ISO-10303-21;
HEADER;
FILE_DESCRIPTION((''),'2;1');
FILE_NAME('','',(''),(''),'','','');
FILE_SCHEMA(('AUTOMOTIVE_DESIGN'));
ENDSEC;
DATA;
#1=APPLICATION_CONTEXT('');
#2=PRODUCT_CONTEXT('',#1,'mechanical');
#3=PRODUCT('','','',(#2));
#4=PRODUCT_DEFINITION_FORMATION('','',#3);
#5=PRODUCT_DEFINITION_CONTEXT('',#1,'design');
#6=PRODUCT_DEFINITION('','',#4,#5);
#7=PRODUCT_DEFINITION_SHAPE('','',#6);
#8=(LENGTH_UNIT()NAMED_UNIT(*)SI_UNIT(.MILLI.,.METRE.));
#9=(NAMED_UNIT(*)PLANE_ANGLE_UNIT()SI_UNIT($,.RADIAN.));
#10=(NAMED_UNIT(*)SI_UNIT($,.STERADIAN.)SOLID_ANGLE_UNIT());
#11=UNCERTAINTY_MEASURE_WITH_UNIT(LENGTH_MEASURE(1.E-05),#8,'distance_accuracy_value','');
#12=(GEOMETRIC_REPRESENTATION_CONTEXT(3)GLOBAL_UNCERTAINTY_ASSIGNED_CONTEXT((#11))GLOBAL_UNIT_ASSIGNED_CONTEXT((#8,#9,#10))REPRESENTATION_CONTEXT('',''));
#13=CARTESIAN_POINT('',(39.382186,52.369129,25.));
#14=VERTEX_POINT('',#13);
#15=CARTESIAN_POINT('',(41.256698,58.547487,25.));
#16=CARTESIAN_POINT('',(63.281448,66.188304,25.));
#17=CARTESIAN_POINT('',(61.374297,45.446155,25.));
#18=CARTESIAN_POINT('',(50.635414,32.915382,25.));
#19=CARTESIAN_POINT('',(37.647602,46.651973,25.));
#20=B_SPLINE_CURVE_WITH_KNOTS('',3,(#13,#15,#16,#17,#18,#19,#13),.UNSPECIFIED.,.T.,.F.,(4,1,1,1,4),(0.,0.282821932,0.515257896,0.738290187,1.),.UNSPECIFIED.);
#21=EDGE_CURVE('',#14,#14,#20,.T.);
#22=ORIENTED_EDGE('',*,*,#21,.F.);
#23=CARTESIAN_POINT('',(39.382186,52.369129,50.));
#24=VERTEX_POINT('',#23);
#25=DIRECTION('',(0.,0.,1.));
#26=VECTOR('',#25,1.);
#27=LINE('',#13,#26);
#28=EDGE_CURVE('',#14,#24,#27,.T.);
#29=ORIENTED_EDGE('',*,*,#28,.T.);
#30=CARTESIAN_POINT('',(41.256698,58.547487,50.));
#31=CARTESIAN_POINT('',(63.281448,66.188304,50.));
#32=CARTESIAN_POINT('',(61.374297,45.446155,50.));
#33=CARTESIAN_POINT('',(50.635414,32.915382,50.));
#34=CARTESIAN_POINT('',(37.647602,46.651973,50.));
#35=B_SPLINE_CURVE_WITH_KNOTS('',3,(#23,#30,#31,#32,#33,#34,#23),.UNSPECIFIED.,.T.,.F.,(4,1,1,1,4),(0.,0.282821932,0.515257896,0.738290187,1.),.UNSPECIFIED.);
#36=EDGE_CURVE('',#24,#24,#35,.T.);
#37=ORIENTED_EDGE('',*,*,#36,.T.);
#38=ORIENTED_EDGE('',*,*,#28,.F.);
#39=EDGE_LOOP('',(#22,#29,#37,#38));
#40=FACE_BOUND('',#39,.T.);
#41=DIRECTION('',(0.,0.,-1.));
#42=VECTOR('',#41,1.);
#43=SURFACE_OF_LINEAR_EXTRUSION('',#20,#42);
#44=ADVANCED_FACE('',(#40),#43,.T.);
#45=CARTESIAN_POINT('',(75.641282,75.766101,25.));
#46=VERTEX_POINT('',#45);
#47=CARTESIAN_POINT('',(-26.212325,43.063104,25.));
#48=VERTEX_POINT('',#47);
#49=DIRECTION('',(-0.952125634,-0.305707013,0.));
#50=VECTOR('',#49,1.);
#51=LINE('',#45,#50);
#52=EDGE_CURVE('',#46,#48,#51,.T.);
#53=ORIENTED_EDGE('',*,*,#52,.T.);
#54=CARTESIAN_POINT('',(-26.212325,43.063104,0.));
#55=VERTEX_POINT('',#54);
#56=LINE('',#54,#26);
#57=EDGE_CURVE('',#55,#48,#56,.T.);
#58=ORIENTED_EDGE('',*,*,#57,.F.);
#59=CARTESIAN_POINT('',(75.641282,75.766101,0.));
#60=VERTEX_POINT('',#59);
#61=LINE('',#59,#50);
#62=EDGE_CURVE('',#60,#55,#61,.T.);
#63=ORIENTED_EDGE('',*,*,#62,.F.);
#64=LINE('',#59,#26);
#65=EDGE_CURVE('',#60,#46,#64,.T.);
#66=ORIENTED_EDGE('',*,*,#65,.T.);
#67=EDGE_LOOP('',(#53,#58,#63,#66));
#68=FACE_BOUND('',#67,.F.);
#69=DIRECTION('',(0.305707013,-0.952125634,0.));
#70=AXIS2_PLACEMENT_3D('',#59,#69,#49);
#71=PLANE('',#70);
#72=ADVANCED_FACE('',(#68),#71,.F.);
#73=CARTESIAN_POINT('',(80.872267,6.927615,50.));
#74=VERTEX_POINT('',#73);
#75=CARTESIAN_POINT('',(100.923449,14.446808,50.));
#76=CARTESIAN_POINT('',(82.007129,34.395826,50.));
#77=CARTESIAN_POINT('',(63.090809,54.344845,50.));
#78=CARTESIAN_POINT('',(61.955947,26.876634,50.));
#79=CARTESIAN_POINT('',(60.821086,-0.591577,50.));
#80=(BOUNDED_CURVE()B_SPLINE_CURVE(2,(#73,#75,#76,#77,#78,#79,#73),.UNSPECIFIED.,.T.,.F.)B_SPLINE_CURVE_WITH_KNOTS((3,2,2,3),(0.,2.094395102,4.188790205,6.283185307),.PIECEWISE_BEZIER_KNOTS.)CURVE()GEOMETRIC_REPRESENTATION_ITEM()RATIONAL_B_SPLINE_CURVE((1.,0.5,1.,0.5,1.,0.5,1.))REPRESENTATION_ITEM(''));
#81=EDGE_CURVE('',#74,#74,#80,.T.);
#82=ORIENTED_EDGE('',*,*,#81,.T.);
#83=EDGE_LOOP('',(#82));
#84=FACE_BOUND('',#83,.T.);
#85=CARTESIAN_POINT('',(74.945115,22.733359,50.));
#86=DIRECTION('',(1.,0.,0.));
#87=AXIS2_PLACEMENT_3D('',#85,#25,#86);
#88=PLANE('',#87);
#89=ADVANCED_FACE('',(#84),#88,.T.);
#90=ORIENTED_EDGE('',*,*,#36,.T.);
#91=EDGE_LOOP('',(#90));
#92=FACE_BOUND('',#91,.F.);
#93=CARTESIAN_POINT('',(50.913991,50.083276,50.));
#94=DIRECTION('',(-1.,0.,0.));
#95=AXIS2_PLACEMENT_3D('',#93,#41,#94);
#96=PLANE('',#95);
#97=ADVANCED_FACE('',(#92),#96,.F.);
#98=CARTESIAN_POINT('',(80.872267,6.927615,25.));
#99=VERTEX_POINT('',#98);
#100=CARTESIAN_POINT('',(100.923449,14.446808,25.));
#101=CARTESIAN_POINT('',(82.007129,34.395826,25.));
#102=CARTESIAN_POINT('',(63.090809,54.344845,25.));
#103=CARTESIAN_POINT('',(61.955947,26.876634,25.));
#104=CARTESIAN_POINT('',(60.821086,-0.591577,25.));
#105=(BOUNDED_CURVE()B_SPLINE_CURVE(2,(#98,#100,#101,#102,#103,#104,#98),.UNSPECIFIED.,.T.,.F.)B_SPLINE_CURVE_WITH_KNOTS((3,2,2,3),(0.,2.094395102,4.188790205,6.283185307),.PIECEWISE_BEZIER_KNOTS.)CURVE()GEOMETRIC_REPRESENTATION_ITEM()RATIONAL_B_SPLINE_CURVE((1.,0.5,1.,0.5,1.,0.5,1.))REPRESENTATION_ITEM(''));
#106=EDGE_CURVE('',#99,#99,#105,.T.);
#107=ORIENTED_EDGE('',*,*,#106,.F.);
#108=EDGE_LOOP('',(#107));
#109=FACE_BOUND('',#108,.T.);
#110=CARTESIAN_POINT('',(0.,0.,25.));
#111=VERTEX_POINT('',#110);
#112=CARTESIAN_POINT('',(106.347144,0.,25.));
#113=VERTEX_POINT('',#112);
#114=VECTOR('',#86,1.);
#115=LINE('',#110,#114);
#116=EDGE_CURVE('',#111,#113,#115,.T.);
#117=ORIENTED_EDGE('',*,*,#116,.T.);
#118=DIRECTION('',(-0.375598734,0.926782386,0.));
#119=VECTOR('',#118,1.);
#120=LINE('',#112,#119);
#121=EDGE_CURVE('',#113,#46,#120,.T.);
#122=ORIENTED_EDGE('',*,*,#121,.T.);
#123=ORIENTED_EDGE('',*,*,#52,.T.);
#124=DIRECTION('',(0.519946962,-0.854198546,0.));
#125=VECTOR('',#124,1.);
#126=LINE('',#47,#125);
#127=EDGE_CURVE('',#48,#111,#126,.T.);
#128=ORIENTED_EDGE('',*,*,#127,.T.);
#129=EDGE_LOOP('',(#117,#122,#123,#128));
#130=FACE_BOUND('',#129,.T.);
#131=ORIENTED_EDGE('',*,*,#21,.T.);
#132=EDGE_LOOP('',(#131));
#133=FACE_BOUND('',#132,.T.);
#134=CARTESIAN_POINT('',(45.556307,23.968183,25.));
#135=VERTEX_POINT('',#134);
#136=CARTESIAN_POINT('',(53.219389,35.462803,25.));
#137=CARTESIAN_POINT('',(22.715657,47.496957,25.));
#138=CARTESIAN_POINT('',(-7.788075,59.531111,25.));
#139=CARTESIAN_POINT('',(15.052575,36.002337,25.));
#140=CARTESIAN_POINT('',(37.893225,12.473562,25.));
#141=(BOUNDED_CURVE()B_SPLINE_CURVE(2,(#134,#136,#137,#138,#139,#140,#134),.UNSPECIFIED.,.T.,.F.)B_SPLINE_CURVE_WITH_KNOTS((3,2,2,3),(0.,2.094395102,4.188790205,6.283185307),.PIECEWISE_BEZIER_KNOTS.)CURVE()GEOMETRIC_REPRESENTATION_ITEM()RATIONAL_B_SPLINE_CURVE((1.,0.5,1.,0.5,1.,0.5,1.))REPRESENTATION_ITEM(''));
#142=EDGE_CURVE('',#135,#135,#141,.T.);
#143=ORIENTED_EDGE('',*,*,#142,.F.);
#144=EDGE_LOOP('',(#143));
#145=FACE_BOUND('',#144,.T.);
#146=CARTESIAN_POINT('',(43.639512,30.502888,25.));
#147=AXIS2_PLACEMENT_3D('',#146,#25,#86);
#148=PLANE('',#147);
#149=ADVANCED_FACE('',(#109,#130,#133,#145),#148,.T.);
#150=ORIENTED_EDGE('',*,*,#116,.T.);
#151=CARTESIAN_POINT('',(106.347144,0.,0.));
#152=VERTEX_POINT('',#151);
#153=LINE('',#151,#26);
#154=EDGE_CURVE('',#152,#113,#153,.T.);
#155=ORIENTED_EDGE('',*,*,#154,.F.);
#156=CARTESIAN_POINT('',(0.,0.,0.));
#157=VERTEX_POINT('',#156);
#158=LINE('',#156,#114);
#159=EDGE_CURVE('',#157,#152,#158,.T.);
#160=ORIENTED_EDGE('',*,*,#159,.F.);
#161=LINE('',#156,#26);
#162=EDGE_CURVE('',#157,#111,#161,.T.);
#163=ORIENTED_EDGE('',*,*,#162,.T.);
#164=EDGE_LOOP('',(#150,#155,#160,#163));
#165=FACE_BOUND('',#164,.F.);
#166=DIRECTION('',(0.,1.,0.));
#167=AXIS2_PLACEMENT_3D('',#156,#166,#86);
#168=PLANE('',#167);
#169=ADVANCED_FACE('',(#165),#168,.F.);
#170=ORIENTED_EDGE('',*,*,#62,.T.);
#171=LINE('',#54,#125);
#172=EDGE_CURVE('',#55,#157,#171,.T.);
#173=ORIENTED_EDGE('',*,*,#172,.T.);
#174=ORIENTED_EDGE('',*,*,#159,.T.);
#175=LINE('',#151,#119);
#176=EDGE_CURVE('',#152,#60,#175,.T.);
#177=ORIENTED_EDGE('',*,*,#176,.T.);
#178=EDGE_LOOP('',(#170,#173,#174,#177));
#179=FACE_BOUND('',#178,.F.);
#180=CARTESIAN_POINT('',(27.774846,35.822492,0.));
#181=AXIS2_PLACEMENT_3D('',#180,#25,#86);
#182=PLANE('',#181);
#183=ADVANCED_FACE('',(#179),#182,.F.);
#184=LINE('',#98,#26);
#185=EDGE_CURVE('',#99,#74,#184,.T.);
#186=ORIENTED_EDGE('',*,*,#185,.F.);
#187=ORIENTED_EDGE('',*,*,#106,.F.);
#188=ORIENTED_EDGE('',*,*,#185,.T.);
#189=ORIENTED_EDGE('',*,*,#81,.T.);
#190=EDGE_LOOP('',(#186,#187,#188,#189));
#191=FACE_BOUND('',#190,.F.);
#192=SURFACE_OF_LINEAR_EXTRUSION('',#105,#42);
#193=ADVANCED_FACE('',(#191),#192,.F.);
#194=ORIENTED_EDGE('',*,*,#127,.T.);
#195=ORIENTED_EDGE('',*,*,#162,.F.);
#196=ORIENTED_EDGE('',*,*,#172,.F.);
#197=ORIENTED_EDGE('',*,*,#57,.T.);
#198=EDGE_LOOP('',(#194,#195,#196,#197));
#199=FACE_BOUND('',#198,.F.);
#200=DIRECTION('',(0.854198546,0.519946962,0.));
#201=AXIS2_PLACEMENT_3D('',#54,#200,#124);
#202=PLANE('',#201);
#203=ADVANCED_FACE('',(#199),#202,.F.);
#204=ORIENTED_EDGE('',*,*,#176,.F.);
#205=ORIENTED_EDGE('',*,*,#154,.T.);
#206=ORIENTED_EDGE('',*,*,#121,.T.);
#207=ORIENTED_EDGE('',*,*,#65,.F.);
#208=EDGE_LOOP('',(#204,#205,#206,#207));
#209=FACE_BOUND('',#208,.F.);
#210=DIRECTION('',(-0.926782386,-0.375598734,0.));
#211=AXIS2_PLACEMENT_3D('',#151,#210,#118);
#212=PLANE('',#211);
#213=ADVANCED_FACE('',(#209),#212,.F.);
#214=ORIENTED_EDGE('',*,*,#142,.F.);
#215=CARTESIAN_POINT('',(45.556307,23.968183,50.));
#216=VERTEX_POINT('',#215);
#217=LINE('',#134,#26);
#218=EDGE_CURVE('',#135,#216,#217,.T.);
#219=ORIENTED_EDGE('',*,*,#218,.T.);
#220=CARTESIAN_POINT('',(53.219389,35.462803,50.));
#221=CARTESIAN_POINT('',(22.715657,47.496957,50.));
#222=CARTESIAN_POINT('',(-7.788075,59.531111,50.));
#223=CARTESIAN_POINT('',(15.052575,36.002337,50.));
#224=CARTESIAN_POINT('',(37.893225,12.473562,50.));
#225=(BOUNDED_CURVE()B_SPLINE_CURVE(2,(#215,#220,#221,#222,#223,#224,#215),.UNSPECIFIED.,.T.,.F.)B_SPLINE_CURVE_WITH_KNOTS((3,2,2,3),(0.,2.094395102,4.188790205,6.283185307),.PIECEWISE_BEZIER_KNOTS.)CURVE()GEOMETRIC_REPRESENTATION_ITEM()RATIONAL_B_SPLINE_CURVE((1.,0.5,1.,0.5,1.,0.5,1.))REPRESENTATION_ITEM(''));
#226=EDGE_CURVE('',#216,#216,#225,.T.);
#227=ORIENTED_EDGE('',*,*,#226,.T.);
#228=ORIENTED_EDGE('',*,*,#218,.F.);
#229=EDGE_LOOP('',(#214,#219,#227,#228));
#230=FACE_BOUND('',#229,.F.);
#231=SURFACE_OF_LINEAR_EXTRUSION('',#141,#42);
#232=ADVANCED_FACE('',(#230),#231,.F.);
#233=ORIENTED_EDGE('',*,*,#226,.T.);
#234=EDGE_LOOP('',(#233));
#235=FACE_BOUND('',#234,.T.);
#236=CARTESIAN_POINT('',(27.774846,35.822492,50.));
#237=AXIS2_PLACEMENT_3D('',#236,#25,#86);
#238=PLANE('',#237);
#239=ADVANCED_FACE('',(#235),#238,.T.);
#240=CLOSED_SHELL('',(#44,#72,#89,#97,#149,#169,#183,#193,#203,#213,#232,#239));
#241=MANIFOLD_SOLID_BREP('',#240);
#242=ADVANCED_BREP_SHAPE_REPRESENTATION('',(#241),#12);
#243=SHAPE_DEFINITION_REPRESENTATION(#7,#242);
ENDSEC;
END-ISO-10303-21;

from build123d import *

# Parameters (mm, degrees)
F1_DEPTH      = 25
F3_DEPTH      = 25
F3_DEPTH_BACK = 25


with BuildPart() as f1:
    # F0 (on Top) → F1 (new body)
    with BuildSketch(Plane.XY):
        Polygon((-26.2123253196, 43.0631041527), (0, 0), (106.3471436501, 0), (75.6412819028, 75.7661014795), align=None)
    extrude(amount=F1_DEPTH)

    # F2 (on face) → F3 (join, two sides)
    with BuildSketch(Plane.XY.offset(25)) as f3_sk:
        with BuildLine():
            add(Edge.make_bspline(
                [(45.556306839, 23.9681825042), (53.2193886578, 35.4628028243), (22.7156567618, 47.4969570472), (-7.7880751342, 59.5311112702), (15.052574943, 36.0023367271), (37.8932250202, 12.4735621841), (45.556306839, 23.9681825042)],
                knots=[0, 0, 0, 2.0943951024, 2.0943951024, 4.1887902048, 4.1887902048, 6.2831853072, 6.2831853072, 6.2831853072], degree=2, weights=[1, 0.5, 1, 0.5, 1, 0.5, 1]))
        make_face()
        with BuildLine():
            add(Edge.make_bspline(
                [(80.8722674847, 6.9276154973), (100.923448807, 14.4468075332), (82.0071287483, 34.3958262688), (63.0908086896, 54.3448450044), (61.9559474259, 26.8766342329), (60.8210861623, -0.5915765387), (80.8722674847, 6.9276154973)],
                knots=[0, 0, 0, 2.0943951024, 2.0943951024, 4.1887902048, 4.1887902048, 6.2831853072, 6.2831853072, 6.2831853072], degree=2, weights=[1, 0.5, 1, 0.5, 1, 0.5, 1]))
        make_face()
        with BuildLine():
            add(Edge.make_bspline(
                [(39.382185787, 52.3691289127), (41.2566980192, 58.547487307), (63.281447597, 66.1883041852), (61.3742974292, 45.4461553684), (50.6354141636, 32.9153821054), (37.6476023252, 46.6519732136), (39.382185787, 52.3691289127)],
                knots=[0, 0, 0, 0, 0.2828219324, 0.5152578959, 0.7382901866, 1, 1, 1, 1], degree=3))
        make_face()
    extrude(amount=F3_DEPTH)
    extrude(f3_sk.sketch, amount=-F3_DEPTH_BACK)


solid = f1.part
